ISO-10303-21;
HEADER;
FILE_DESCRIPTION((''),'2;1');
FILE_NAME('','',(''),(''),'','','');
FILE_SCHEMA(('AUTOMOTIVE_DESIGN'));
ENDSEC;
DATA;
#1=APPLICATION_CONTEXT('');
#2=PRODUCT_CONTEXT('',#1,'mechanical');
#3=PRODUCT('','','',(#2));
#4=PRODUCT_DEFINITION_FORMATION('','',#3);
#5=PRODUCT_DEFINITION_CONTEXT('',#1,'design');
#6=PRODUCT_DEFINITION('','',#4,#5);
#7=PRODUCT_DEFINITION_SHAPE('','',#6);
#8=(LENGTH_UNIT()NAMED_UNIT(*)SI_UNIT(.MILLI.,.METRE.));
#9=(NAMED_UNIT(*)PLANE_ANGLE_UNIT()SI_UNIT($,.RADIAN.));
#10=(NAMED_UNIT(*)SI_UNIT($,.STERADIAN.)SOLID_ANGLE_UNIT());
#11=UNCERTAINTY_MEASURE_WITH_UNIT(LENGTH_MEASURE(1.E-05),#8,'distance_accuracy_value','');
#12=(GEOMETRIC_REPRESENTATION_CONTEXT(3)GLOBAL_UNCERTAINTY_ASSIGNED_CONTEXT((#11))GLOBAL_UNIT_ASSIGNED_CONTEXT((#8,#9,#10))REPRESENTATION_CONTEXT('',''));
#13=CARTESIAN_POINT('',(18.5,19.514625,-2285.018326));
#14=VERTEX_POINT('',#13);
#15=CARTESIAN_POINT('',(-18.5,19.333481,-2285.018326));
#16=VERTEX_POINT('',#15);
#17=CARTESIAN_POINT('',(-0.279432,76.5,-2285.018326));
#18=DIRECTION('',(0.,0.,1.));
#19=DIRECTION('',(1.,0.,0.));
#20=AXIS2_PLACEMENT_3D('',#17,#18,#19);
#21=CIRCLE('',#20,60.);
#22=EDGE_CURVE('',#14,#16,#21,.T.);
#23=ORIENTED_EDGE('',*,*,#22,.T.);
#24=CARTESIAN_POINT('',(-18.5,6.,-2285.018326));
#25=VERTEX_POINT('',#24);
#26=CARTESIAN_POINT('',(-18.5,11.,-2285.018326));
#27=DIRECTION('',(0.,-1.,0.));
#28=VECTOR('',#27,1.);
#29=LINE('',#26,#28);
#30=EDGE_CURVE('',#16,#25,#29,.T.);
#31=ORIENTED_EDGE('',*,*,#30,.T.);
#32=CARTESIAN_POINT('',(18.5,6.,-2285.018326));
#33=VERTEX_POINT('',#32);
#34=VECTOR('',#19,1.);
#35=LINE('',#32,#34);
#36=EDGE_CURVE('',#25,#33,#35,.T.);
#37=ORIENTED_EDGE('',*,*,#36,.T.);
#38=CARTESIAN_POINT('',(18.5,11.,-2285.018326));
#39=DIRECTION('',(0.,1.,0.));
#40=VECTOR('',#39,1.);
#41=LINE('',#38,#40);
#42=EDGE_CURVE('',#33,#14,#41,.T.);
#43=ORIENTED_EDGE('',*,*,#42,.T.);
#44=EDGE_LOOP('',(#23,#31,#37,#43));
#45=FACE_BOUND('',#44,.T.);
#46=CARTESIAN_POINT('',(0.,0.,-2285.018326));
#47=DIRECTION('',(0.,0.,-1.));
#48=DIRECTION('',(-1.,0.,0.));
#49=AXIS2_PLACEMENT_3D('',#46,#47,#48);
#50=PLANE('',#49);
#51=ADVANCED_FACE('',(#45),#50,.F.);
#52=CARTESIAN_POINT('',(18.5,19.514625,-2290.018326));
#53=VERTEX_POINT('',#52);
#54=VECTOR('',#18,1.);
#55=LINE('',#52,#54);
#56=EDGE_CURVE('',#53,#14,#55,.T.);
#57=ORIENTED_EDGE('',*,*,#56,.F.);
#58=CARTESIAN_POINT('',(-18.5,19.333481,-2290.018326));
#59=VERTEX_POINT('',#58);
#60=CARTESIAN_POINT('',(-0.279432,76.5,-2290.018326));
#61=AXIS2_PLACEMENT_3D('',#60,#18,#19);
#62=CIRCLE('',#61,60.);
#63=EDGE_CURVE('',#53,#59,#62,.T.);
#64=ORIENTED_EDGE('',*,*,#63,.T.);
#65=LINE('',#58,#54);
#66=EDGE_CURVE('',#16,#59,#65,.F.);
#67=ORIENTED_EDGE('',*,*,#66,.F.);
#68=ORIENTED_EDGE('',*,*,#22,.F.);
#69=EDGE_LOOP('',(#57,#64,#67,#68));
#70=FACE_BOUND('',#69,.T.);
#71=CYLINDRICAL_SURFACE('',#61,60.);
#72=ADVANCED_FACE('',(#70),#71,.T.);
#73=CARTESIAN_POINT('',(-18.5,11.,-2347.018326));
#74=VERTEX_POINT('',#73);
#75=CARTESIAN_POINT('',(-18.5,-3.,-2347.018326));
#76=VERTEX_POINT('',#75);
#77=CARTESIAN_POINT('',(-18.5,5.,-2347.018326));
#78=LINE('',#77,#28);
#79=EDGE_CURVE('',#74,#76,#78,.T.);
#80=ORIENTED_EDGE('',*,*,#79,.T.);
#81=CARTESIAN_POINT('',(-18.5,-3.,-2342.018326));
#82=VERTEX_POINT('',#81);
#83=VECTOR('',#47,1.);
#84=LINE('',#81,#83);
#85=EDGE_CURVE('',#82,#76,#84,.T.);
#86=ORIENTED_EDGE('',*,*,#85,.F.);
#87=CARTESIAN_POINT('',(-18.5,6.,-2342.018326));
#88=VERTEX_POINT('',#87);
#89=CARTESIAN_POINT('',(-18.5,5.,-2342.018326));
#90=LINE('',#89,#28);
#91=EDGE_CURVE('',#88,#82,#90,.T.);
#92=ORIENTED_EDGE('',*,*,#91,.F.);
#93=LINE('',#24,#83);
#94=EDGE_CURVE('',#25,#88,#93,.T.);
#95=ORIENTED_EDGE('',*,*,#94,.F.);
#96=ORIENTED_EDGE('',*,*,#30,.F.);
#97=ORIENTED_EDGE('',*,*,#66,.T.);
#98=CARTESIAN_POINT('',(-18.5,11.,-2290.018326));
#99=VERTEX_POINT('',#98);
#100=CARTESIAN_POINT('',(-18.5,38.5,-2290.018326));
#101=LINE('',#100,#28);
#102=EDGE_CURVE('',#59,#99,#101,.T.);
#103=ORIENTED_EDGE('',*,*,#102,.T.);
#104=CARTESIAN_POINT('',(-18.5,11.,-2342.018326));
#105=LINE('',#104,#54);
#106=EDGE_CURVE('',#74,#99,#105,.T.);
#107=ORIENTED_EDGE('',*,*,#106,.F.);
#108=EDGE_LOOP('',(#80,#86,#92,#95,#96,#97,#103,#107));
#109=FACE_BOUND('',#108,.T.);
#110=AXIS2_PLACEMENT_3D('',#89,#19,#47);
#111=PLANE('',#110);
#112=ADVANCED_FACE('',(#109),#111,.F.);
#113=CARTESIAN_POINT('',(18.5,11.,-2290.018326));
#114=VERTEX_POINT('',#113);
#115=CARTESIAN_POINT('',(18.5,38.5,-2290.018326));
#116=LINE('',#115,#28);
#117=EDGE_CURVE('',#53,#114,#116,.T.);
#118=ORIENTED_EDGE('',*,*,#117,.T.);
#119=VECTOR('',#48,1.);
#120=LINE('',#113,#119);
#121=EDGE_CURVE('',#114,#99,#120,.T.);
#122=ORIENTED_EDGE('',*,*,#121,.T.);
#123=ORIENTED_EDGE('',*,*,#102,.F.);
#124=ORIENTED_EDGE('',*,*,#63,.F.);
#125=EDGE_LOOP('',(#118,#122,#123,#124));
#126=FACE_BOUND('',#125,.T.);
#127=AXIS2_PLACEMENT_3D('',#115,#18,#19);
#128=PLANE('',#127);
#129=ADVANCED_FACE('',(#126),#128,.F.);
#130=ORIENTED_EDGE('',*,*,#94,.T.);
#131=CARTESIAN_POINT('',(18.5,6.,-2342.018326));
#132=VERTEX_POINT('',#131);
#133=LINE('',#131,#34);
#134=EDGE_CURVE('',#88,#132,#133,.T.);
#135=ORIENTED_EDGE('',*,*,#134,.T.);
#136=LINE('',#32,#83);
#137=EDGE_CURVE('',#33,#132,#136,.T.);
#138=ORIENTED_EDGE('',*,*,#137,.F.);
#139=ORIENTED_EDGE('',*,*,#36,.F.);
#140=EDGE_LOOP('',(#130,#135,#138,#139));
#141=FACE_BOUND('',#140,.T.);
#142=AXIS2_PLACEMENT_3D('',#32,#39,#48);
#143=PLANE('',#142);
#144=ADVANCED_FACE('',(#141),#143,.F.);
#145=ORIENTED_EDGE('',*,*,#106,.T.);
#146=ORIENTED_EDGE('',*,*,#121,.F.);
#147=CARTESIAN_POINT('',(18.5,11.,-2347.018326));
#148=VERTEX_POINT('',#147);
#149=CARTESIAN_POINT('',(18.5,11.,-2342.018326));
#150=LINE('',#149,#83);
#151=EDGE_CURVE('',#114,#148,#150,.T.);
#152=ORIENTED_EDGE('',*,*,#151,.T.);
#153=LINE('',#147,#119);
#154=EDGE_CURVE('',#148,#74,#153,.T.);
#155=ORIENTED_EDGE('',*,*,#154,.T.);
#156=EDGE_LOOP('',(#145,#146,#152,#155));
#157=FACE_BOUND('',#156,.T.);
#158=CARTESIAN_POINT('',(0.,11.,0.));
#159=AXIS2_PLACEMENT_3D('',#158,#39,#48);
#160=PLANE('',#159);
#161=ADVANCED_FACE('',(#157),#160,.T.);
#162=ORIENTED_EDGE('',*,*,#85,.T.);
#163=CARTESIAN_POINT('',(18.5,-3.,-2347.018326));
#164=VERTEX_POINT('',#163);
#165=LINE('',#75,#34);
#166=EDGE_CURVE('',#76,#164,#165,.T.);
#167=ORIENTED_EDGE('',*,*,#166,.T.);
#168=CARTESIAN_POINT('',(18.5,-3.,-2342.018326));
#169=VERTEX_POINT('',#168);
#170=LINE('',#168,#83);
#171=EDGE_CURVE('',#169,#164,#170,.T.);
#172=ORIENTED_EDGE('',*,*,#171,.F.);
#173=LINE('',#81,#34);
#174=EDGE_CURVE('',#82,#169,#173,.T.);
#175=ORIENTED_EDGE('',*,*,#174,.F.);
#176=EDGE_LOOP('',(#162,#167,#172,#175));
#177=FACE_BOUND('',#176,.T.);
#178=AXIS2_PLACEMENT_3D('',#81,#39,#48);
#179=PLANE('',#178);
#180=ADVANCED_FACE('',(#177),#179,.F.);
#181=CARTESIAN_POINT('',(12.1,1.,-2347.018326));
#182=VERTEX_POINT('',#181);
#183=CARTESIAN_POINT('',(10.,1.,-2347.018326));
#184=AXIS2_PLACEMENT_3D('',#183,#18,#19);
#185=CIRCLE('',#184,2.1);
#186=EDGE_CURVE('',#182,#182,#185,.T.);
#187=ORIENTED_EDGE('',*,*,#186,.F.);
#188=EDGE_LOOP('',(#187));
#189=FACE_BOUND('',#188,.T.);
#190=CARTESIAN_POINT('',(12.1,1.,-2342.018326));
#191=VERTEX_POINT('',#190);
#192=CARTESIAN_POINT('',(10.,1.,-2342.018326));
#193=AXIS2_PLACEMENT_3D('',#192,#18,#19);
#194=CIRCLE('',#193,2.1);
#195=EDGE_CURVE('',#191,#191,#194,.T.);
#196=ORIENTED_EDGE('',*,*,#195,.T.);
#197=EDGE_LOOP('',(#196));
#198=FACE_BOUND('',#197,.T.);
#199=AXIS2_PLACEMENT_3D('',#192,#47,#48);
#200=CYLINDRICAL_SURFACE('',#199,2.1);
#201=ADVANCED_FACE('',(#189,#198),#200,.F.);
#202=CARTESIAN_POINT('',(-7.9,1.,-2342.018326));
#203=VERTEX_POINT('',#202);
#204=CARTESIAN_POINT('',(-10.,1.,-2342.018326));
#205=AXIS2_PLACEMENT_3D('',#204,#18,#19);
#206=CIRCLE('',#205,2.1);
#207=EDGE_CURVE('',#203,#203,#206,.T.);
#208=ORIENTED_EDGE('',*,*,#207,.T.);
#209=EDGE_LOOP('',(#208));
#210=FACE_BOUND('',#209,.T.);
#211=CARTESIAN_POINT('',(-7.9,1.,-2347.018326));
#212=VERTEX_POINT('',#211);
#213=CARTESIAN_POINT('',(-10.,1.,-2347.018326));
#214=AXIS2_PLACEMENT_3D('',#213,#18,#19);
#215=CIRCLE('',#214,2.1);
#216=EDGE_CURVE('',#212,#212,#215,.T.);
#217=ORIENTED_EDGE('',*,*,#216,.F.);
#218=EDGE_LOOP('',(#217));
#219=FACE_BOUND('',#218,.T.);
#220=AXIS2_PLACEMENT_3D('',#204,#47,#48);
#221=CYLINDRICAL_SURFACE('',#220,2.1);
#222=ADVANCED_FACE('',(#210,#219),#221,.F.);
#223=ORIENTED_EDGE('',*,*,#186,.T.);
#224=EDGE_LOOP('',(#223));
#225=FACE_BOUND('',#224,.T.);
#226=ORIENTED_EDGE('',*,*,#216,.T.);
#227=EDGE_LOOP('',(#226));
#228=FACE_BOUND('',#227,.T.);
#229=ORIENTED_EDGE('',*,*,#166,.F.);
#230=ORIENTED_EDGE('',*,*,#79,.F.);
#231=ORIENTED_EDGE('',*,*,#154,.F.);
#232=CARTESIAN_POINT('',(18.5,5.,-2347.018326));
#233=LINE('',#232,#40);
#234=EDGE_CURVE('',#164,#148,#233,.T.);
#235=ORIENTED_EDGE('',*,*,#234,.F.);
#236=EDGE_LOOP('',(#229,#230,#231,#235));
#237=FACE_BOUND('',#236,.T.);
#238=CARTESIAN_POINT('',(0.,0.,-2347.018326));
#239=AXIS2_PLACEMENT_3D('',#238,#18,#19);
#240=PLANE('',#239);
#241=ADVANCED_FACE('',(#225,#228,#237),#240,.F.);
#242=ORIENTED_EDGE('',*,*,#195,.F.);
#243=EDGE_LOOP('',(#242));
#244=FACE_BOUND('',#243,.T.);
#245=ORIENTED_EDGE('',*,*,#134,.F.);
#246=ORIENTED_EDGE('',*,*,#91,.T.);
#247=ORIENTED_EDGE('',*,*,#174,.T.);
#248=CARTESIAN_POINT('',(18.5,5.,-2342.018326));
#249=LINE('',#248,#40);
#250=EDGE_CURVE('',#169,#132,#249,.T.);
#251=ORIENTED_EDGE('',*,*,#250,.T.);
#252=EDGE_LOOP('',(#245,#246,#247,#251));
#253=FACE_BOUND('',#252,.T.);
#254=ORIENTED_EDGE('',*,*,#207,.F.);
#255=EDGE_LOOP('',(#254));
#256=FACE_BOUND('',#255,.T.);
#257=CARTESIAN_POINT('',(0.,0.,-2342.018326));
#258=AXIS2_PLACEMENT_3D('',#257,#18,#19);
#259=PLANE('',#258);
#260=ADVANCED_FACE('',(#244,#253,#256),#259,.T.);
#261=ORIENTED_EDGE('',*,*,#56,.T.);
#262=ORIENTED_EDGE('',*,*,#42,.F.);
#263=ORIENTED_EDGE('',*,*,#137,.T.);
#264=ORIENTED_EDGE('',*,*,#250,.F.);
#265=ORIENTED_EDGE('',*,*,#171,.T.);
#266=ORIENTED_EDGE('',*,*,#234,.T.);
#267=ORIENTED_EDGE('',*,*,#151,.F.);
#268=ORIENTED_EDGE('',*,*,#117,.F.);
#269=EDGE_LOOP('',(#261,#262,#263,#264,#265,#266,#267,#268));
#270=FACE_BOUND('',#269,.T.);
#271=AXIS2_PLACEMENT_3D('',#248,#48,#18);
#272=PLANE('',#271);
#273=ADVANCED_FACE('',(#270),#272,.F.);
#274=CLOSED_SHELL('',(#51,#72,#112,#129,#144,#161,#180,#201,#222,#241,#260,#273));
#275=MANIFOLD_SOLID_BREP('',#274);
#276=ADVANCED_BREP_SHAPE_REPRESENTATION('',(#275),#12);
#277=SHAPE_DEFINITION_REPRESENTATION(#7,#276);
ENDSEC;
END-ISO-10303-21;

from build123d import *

# Parameters (mm, degrees)
SKETCH2_W           = 37
SKETCH2_H           = 8
SKETCH2_R           = 2.1
BOSS_EXTRUDE1_DEPTH = 5
SKETCH3_W           = 37
SKETCH3_H           = 5
BOSS_EXTRUDE2_DEPTH = 6
SKETCH4_W           = 37
SKETCH4_H           = 5
BOSS_EXTRUDE3_DEPTH = 57
SKETCH5_W           = 37
SKETCH5_H           = 5
BOSS_EXTRUDE4_DEPTH = 27.5
SKETCH6_R           = 60
BOSS_EXTRUDE5_DEPTH = 5


with BuildPart() as part:
    # Sketch2 → Boss-Extrude1 (new body)
    with BuildSketch(Plane.XY.offset(-2347.018325578)):
        with Locations((0, 1)):
            Rectangle(SKETCH2_W, SKETCH2_H)
        with Locations((10, 1)):
            Circle(SKETCH2_R, mode=Mode.SUBTRACT)
        with Locations((-10, 1)):
            Circle(SKETCH2_R, mode=Mode.SUBTRACT)
    extrude(amount=BOSS_EXTRUDE1_DEPTH)

    # Sketch3 → Boss-Extrude2 (add)
    with BuildSketch(Plane(origin=(0, 5, 0), x_dir=(1, 0, 0), z_dir=(0, 1, 0))):
        with Locations((0, 2344.518325578)):
            Rectangle(SKETCH3_W, SKETCH3_H)
    extrude(amount=BOSS_EXTRUDE2_DEPTH)

    # Sketch4 → Boss-Extrude3 (add)
    with BuildSketch(Plane.XY.offset(-2342.018325578)):
        with Locations((0, 8.5)):
            Rectangle(SKETCH4_W, SKETCH4_H)
    extrude(amount=BOSS_EXTRUDE3_DEPTH)

    # Sketch5 → Boss-Extrude4 (add)
    with BuildSketch(Plane(origin=(0, 11, 0), x_dir=(1, 0, 0), z_dir=(0, 1, 0))):
        with Locations((0, 2287.518325578)):
            Rectangle(SKETCH5_W, SKETCH5_H)
    extrude(amount=BOSS_EXTRUDE4_DEPTH)

    # Sketch6 → Boss-Extrude5 (add)
    with BuildSketch(Plane.XY.offset(-2285.018325578)):
        with Locations((-0.279431791, 76.5)):
            Circle(SKETCH6_R)
    extrude(amount=-BOSS_EXTRUDE5_DEPTH)


solid = part.part
